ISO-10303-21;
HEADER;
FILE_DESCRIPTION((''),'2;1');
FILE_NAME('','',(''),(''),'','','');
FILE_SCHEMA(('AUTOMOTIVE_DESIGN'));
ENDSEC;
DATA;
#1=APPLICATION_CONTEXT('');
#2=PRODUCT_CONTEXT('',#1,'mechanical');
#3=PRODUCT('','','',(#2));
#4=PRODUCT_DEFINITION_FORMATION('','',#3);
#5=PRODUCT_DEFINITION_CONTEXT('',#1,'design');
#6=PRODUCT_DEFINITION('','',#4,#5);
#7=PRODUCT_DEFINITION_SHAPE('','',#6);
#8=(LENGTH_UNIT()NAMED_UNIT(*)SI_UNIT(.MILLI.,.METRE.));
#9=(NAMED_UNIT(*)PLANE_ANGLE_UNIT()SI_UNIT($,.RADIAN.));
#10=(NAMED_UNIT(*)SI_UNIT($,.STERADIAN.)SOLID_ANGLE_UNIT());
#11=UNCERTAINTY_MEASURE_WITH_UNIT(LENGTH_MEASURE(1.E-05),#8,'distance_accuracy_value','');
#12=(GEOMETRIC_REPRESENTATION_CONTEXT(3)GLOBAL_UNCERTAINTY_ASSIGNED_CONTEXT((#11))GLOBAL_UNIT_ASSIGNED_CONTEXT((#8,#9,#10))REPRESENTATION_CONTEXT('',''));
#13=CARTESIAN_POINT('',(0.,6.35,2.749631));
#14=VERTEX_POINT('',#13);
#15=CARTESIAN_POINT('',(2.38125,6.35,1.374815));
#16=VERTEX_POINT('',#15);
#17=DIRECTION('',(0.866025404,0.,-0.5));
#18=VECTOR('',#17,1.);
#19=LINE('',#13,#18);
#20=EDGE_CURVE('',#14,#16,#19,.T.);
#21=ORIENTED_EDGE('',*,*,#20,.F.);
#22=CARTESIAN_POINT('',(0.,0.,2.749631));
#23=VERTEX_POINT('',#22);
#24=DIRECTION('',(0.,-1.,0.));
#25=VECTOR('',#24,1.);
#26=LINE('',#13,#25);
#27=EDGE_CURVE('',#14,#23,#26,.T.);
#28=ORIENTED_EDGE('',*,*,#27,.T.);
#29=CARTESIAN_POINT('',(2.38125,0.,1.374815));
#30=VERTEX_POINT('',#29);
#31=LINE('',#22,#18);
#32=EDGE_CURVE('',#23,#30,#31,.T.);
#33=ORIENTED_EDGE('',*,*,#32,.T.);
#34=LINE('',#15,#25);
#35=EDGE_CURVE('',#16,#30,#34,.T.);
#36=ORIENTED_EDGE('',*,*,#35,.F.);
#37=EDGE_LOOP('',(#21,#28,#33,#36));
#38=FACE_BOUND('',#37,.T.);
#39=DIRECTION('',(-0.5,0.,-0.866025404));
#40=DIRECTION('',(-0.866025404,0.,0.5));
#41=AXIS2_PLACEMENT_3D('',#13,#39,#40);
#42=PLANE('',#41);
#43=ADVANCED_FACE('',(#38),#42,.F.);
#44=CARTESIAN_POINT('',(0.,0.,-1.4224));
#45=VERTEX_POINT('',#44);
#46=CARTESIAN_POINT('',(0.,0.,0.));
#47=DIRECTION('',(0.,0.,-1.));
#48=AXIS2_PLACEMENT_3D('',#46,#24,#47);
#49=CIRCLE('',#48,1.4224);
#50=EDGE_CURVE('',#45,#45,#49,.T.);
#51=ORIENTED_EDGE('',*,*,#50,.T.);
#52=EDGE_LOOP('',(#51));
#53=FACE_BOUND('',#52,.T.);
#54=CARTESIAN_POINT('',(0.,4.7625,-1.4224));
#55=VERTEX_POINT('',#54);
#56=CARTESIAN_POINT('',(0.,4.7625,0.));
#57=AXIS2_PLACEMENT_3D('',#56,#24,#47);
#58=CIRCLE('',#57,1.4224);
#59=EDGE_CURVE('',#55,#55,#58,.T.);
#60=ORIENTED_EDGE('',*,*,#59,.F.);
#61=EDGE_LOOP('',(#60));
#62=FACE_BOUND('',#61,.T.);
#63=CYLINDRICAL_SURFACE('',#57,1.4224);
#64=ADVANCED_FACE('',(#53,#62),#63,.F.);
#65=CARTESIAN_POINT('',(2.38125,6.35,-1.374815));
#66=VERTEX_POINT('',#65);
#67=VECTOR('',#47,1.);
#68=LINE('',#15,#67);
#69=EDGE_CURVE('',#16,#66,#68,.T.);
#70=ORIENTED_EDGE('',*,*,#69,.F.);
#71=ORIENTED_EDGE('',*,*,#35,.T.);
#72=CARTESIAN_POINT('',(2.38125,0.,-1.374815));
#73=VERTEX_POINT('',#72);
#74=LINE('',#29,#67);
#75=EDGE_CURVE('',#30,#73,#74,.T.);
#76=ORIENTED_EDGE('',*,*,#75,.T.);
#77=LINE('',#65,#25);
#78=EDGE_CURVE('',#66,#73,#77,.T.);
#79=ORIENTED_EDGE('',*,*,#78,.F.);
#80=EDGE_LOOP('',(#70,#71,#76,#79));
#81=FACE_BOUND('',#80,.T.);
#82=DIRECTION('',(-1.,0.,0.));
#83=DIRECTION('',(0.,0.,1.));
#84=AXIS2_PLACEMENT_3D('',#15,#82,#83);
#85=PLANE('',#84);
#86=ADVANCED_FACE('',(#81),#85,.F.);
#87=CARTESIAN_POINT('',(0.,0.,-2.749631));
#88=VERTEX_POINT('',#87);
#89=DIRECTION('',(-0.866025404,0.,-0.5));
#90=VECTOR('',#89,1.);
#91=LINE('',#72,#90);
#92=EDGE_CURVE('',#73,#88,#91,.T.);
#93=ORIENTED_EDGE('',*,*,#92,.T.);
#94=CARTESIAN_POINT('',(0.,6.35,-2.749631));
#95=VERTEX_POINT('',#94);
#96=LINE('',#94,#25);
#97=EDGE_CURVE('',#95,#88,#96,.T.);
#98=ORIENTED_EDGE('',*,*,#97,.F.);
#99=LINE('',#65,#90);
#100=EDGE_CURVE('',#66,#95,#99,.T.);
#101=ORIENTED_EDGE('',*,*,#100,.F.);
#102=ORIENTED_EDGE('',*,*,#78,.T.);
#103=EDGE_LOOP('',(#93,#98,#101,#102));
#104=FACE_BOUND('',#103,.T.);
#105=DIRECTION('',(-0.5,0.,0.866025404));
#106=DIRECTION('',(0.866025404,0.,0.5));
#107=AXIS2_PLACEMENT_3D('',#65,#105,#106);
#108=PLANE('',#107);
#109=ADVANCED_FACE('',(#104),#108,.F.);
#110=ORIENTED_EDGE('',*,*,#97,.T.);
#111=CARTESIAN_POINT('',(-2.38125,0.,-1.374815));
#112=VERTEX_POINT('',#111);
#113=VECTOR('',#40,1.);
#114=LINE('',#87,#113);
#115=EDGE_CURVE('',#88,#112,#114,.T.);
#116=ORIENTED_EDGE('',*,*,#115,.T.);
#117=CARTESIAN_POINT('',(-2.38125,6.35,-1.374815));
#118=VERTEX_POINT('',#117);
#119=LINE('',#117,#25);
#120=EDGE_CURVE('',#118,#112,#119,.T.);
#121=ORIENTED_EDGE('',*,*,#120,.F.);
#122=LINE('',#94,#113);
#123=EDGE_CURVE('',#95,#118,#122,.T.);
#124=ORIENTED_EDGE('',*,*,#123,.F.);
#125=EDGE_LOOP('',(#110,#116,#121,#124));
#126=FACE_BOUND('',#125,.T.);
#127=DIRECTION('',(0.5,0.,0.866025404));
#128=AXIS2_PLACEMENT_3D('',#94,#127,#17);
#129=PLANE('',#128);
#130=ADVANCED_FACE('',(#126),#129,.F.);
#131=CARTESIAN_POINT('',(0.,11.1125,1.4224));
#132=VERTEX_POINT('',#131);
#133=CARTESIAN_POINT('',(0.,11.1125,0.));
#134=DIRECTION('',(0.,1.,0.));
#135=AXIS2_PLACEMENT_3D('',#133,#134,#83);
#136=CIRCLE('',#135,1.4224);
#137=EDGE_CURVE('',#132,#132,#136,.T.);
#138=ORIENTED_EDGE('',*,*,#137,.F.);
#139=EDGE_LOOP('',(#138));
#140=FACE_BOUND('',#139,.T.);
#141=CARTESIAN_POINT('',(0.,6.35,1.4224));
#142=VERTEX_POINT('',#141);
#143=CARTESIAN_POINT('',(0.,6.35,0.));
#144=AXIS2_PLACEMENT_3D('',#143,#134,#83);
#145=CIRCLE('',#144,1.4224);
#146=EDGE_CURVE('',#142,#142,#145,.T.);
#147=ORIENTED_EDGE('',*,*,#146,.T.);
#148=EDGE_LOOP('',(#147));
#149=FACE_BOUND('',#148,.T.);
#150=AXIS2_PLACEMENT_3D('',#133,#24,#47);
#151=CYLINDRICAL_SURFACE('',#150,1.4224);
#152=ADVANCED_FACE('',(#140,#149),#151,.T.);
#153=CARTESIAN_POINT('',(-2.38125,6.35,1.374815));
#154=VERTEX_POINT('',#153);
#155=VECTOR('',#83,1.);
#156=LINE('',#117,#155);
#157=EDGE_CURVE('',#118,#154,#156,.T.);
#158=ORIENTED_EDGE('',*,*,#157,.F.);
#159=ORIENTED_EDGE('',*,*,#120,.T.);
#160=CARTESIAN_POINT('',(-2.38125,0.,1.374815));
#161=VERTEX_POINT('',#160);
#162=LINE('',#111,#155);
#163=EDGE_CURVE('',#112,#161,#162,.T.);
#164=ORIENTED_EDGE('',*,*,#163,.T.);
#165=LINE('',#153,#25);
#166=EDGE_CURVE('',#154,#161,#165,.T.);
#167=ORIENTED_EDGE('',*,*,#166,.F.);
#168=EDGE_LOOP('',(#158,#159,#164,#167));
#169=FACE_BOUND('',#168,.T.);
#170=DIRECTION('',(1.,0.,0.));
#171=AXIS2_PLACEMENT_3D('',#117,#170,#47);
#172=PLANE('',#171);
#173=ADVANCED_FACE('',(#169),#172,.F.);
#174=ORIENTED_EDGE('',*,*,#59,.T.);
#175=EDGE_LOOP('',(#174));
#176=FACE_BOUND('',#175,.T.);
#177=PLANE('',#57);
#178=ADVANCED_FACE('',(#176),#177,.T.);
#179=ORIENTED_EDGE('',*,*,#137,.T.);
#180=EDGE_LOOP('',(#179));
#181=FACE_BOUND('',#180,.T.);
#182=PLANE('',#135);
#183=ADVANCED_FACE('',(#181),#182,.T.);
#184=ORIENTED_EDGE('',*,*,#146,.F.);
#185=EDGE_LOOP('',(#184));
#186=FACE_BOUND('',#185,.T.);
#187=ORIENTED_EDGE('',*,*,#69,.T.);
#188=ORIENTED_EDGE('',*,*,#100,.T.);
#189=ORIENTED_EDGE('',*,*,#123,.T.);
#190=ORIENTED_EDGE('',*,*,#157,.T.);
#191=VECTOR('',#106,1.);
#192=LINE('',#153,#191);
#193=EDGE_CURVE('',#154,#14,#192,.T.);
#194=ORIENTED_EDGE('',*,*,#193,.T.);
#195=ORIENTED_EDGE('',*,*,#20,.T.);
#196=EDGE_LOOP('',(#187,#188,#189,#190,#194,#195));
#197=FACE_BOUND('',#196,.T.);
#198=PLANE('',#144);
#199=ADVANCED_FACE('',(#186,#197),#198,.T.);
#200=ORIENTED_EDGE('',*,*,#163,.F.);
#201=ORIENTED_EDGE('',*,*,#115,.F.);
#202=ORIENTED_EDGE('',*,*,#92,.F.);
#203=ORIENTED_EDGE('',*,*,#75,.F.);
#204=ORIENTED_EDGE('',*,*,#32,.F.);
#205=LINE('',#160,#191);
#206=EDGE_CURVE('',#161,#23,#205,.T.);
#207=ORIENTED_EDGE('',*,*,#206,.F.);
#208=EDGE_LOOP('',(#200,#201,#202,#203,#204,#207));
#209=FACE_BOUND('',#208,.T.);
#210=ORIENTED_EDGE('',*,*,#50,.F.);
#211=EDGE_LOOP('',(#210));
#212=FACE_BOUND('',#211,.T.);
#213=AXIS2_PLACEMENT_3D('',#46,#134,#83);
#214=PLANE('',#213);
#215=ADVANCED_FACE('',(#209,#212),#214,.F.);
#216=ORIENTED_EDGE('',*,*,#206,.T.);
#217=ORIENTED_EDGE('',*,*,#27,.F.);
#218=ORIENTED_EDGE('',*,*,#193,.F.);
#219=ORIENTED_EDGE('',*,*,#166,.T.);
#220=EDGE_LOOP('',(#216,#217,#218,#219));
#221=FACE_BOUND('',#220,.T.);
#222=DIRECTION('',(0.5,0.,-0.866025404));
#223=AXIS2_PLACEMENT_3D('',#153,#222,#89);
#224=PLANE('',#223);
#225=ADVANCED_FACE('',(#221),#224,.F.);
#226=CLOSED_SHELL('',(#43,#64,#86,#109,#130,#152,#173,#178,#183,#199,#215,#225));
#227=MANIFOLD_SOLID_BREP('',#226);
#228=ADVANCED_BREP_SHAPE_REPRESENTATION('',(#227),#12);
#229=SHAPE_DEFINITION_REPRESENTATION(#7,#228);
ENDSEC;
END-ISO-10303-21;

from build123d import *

# Parameters (mm, degrees)
BOSS_EXTRUDE1_DEPTH = 6.35
SKETCH2_R           = 1.4224
BOSS_EXTRUDE2_DEPTH = 4.7625
SKETCH7_R           = 1.4224
CUT_EXTRUDE4_DEPTH  = 4.7625


with BuildPart() as part:
    # Sketch1 → Boss-Extrude1 (new body)
    with BuildSketch(Plane(origin=(0, 0, 0), x_dir=(1, 0, 0), z_dir=(0, 1, 0))):
        Polygon((-2.38125, 1.374815329), (-2.38125, -1.374815329), (0, -2.749630657), (2.38125, -1.374815329), (2.38125, 1.374815329), (0, 2.749630657), align=None)
    extrude(amount=BOSS_EXTRUDE1_DEPTH)

    # Sketch2 → Boss-Extrude2 (add)
    with BuildSketch(Plane(origin=(0, 6.35, 0), x_dir=(1, 0, 0), z_dir=(0, 1, 0))):
        Circle(SKETCH2_R)
    extrude(amount=BOSS_EXTRUDE2_DEPTH)

    # Sketch7 → Cut-Extrude4 (cut)
    with BuildSketch(Plane.XZ):
        Circle(SKETCH7_R)
    extrude(amount=-CUT_EXTRUDE4_DEPTH, mode=Mode.SUBTRACT)


solid = part.part
